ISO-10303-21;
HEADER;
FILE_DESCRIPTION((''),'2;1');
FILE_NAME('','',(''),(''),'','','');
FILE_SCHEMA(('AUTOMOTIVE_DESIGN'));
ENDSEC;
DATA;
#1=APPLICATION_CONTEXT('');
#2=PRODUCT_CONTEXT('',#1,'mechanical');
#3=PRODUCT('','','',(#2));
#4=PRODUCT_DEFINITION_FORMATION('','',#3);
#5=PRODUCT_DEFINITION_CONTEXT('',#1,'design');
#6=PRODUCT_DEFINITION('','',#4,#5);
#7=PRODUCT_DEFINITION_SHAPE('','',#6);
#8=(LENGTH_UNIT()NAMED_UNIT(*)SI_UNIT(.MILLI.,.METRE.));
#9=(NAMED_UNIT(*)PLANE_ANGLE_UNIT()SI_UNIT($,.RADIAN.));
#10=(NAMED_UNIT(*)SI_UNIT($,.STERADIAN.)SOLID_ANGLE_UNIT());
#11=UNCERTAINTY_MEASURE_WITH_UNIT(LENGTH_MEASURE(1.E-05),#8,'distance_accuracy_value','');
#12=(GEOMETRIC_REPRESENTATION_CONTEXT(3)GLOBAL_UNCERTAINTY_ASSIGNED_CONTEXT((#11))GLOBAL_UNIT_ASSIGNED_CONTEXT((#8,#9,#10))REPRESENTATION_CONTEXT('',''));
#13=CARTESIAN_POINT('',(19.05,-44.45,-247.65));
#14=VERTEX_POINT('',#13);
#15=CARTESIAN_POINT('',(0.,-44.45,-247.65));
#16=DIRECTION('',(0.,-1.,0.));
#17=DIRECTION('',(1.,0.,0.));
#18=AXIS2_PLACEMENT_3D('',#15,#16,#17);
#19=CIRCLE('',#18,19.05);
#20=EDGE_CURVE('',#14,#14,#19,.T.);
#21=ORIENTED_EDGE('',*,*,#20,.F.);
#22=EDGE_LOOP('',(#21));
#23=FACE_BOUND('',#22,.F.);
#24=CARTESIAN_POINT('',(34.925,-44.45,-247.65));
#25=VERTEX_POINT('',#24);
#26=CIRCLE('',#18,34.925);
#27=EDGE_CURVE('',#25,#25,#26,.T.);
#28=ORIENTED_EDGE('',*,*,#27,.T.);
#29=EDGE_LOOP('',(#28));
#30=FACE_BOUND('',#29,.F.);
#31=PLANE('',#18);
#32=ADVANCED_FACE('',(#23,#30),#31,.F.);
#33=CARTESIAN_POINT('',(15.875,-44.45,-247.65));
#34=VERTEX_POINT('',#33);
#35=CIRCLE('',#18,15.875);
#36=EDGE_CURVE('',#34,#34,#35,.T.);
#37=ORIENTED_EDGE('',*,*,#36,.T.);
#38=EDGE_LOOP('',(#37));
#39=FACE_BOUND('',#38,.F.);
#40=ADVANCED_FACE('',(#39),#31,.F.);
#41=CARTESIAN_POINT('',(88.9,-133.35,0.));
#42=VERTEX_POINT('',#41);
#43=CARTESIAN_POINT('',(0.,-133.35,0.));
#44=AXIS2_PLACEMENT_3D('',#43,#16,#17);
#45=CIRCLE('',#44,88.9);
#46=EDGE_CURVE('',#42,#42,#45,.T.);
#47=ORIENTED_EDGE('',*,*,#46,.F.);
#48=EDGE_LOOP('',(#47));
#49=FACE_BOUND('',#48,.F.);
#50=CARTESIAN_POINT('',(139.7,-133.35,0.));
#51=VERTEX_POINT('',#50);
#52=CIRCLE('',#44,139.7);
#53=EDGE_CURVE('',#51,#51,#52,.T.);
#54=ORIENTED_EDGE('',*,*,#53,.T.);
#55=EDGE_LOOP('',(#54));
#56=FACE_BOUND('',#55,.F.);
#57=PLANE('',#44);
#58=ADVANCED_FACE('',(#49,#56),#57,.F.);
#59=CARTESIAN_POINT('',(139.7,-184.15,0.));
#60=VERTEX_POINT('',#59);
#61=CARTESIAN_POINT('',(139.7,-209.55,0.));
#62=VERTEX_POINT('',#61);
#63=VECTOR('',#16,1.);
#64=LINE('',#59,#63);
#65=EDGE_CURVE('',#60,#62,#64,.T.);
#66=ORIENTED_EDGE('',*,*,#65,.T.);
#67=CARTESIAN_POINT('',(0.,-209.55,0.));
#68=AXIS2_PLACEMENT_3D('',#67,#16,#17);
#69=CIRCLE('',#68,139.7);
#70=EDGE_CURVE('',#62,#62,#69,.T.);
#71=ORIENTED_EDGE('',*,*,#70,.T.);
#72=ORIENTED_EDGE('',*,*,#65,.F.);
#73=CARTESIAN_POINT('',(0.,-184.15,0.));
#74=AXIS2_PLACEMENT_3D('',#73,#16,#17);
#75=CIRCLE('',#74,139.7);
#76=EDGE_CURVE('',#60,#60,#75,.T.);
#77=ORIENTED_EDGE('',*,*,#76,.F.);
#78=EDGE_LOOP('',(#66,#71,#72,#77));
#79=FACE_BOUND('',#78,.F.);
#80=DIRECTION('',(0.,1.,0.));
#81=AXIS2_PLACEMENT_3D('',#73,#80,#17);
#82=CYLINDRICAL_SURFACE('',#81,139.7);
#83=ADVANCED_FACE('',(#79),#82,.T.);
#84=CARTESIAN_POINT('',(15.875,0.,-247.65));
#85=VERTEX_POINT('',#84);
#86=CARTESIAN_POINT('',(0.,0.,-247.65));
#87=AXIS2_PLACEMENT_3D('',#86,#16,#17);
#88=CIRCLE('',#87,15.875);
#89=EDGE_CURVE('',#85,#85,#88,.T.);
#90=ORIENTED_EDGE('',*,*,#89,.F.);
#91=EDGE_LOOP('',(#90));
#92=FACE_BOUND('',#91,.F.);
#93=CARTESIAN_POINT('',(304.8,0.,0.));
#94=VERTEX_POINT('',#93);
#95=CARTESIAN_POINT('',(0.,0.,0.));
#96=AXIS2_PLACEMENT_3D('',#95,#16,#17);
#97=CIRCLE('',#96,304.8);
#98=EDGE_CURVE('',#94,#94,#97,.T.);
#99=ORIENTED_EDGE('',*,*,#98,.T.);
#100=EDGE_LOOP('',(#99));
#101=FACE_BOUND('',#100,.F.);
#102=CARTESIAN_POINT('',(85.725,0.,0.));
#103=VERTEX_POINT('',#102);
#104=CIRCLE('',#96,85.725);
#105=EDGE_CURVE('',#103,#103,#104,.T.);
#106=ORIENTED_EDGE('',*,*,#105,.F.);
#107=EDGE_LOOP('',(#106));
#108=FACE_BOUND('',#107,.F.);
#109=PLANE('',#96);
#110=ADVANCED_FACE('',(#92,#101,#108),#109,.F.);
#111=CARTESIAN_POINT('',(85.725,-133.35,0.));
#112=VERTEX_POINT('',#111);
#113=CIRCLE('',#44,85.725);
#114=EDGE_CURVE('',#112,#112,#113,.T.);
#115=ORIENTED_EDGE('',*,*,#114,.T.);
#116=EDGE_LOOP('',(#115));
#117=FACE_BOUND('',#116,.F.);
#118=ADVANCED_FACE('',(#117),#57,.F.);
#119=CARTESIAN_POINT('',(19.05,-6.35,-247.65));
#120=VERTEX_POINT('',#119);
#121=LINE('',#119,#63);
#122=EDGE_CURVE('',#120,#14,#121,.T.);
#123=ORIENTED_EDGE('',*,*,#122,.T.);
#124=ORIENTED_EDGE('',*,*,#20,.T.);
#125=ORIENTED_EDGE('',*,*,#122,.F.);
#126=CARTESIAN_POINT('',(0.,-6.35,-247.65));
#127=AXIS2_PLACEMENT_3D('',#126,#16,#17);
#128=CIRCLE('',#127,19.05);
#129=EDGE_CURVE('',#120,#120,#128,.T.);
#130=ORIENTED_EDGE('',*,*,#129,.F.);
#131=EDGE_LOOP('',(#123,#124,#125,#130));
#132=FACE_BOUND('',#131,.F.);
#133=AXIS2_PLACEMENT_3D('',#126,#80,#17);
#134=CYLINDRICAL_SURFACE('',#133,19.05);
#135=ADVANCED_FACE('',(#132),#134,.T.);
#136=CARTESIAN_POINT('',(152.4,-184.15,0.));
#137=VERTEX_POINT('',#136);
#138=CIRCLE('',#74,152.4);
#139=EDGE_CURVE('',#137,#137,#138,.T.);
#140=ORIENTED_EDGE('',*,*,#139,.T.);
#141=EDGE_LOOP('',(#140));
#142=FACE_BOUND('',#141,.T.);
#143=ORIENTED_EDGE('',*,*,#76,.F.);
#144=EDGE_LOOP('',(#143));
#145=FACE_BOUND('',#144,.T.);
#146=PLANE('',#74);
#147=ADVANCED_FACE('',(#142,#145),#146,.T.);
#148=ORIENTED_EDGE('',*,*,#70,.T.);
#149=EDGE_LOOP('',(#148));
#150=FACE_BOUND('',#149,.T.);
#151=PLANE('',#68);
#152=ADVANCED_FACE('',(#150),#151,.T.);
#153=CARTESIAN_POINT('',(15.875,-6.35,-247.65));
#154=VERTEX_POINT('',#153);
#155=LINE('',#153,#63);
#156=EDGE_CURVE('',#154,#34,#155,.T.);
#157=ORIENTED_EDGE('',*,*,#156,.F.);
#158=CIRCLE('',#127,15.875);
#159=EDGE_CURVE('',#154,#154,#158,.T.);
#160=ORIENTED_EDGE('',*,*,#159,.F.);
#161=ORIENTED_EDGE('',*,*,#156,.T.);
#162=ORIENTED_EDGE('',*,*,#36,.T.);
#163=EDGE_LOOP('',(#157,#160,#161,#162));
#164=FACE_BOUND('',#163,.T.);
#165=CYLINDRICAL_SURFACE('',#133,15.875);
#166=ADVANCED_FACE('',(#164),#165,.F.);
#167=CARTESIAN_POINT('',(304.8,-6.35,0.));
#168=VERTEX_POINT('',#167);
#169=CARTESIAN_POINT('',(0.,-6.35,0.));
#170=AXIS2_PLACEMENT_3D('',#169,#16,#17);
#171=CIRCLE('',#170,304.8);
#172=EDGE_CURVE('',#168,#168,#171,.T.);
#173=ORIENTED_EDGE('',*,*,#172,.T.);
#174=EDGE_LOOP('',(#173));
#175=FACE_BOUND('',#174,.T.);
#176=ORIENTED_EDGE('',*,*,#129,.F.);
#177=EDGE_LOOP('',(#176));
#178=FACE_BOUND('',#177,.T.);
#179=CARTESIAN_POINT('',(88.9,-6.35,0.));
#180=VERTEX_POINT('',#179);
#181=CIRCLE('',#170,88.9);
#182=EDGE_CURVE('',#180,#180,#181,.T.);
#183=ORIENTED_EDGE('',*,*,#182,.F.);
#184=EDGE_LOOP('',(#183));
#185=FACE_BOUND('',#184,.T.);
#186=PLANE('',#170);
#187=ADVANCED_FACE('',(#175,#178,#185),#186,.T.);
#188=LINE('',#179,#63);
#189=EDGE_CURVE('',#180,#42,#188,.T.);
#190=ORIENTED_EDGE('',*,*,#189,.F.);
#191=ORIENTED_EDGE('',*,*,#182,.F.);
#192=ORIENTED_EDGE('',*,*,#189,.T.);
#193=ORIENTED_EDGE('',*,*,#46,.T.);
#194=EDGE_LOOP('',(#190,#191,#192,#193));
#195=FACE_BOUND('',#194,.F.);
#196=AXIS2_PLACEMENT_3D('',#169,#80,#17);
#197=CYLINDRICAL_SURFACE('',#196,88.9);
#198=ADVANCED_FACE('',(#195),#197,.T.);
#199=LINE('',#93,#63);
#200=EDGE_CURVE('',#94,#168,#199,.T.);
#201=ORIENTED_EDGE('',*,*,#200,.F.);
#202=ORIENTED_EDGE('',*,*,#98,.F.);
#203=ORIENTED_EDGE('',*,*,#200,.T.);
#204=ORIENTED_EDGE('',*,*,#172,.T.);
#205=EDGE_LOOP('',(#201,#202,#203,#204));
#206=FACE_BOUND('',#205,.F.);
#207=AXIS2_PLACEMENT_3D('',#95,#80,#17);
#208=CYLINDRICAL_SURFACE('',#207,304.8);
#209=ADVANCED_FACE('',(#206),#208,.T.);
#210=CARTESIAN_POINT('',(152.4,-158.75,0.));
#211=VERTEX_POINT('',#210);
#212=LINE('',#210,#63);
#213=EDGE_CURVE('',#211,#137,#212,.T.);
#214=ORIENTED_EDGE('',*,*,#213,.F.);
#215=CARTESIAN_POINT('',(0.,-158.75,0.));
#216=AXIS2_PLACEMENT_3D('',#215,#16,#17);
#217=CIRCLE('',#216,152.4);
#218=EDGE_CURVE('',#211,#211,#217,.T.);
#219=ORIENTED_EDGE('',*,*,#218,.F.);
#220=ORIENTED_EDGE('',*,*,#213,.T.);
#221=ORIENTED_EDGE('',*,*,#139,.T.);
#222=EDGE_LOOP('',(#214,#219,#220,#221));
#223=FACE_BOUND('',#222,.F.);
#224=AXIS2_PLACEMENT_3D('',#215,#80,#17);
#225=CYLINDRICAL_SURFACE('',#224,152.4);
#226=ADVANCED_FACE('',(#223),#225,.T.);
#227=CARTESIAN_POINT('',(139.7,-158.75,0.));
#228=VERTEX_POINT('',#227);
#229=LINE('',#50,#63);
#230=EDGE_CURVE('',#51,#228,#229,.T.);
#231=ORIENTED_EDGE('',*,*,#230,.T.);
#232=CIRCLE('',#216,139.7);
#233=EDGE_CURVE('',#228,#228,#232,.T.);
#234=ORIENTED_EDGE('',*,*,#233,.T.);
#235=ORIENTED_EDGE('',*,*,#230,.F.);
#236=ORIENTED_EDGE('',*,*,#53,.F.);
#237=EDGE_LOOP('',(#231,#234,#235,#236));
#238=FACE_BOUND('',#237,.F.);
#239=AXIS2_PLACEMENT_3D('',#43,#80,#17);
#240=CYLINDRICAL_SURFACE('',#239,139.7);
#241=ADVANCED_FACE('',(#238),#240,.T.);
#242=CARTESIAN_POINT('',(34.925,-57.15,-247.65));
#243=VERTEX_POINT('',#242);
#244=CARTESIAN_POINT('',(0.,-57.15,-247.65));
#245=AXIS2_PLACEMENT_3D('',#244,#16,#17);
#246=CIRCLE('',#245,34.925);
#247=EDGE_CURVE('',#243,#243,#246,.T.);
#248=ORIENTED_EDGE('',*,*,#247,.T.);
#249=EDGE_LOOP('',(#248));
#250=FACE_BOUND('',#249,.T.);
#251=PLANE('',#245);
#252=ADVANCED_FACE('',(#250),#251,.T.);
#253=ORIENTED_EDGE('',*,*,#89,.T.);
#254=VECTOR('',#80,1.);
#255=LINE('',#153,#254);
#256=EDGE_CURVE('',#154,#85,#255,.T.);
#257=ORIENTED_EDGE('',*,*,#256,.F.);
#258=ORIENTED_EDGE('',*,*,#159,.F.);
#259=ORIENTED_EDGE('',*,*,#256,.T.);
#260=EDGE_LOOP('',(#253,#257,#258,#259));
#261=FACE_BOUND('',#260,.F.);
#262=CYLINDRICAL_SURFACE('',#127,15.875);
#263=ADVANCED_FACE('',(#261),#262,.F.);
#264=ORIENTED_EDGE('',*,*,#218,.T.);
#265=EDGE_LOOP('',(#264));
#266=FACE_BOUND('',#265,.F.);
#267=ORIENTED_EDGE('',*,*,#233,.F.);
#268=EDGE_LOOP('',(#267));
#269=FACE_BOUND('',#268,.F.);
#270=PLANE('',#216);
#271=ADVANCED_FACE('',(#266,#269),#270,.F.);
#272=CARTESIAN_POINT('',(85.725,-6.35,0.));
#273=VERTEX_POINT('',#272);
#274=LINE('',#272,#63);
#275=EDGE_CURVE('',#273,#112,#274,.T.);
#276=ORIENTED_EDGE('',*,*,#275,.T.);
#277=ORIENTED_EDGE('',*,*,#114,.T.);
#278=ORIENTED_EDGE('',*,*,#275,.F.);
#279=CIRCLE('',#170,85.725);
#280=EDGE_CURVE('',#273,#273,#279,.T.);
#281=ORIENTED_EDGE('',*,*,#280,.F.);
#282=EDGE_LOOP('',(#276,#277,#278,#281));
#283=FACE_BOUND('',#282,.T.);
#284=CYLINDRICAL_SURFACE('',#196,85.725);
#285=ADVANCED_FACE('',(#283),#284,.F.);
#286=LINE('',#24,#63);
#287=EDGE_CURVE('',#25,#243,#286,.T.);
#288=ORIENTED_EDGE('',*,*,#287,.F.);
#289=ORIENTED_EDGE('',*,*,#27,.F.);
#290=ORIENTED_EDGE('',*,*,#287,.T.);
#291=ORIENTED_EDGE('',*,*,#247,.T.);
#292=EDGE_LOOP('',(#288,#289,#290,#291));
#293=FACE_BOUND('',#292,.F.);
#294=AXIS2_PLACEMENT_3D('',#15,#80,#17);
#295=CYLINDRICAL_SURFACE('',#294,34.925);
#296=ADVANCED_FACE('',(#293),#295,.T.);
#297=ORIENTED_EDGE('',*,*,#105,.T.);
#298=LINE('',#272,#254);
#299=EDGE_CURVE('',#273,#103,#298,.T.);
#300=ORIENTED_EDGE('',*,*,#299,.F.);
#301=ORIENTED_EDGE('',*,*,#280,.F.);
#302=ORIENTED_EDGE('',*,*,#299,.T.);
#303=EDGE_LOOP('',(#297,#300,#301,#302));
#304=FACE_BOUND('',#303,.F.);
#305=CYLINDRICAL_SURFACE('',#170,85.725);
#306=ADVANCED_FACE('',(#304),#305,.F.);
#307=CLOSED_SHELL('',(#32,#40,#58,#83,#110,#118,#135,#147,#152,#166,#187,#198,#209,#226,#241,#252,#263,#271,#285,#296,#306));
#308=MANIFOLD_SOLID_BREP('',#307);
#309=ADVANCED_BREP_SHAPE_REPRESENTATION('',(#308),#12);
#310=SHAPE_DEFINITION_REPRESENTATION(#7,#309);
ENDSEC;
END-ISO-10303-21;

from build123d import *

# Parameters (mm, degrees)
F0_R      = 304.8
F1_DEPTH  = 6.35
F2_R      = 88.9
F2_R_2    = 85.725
F3_DEPTH  = 127
F4_DEPTH  = 25.4
F5_START  = 127
F2_R_3    = 139.7
F5_DEPTH  = 25.4
F6_START  = 152.4
F2_R_4    = 152.4
F6_DEPTH  = 25.4
F7_START  = 177.8
F7_DEPTH  = 25.4
F2_R_5    = 15.875
F8_DEPTH  = 25.4
F2_R_6    = 19.05
F9_DEPTH  = 38.1
F10_START = 38.1
F2_R_7    = 34.925
F10_DEPTH = 12.7


with BuildPart() as f1:
    # F0 (on Front) → F1 (new body)
    with BuildSketch(Plane.XZ):
        Circle(F0_R)
    extrude(amount=F1_DEPTH)

    # F2 (on face) → F3 (join)
    with BuildSketch(Plane.XZ.offset(6.35)):
        Circle(F2_R)
        Circle(F2_R_2, mode=Mode.SUBTRACT)
    extrude(amount=F3_DEPTH)

    # F2 (on face) → F4 (cut)
    with BuildSketch(Plane.XZ.offset(6.35)):
        Circle(F2_R_2)
    extrude(amount=-F4_DEPTH, mode=Mode.SUBTRACT)

    # F2 (on face) → F5 (join)
    with BuildSketch(Plane.XZ.offset(6.35).offset(F5_START)):
        Circle(F2_R_3)
        Circle(F2_R, mode=Mode.SUBTRACT)
        Circle(F2_R)
        Circle(F2_R_2, mode=Mode.SUBTRACT)
        Circle(F2_R_2)
    extrude(amount=F5_DEPTH)

    # F2 (on face) → F6 (join)
    with BuildSketch(Plane.XZ.offset(6.35).offset(F6_START)):
        Circle(F2_R_4)
        Circle(F2_R_3, mode=Mode.SUBTRACT)
        Circle(F2_R_3)
        Circle(F2_R, mode=Mode.SUBTRACT)
        Circle(F2_R)
        Circle(F2_R_2, mode=Mode.SUBTRACT)
        Circle(F2_R_2)
    extrude(amount=F6_DEPTH)

    # F2 (on face) → F7 (join)
    with BuildSketch(Plane.XZ.offset(6.35).offset(F7_START)):
        Circle(F2_R_3)
        Circle(F2_R, mode=Mode.SUBTRACT)
        Circle(F2_R)
        Circle(F2_R_2, mode=Mode.SUBTRACT)
        Circle(F2_R_2)
    extrude(amount=F7_DEPTH)

    # F2 (on face) → F8 (cut)
    with BuildSketch(Plane.XZ.offset(6.35)):
        with Locations((0, -247.65)):
            Circle(F2_R_5)
    extrude(amount=-F8_DEPTH, mode=Mode.SUBTRACT)

    # F2 (on face) → F9 (join)
    with BuildSketch(Plane.XZ.offset(6.35)):
        with Locations((0, -247.65)):
            Circle(F2_R_6)
        with Locations((0, -247.65)):
            Circle(F2_R_5, mode=Mode.SUBTRACT)
    extrude(amount=F9_DEPTH)

    # F2 (on face) → F10 (join)
    with BuildSketch(Plane.XZ.offset(6.35).offset(F10_START)):
        with Locations((0, -247.65)):
            Circle(F2_R_7)
        with Locations((0, -247.65)):
            Circle(F2_R_6, mode=Mode.SUBTRACT)
        with Locations((0, -247.65)):
            Circle(F2_R_6)
        with Locations((0, -247.65)):
            Circle(F2_R_5, mode=Mode.SUBTRACT)
        with Locations((0, -247.65)):
            Circle(F2_R_5)
    extrude(amount=F10_DEPTH)


solid = f1.part
